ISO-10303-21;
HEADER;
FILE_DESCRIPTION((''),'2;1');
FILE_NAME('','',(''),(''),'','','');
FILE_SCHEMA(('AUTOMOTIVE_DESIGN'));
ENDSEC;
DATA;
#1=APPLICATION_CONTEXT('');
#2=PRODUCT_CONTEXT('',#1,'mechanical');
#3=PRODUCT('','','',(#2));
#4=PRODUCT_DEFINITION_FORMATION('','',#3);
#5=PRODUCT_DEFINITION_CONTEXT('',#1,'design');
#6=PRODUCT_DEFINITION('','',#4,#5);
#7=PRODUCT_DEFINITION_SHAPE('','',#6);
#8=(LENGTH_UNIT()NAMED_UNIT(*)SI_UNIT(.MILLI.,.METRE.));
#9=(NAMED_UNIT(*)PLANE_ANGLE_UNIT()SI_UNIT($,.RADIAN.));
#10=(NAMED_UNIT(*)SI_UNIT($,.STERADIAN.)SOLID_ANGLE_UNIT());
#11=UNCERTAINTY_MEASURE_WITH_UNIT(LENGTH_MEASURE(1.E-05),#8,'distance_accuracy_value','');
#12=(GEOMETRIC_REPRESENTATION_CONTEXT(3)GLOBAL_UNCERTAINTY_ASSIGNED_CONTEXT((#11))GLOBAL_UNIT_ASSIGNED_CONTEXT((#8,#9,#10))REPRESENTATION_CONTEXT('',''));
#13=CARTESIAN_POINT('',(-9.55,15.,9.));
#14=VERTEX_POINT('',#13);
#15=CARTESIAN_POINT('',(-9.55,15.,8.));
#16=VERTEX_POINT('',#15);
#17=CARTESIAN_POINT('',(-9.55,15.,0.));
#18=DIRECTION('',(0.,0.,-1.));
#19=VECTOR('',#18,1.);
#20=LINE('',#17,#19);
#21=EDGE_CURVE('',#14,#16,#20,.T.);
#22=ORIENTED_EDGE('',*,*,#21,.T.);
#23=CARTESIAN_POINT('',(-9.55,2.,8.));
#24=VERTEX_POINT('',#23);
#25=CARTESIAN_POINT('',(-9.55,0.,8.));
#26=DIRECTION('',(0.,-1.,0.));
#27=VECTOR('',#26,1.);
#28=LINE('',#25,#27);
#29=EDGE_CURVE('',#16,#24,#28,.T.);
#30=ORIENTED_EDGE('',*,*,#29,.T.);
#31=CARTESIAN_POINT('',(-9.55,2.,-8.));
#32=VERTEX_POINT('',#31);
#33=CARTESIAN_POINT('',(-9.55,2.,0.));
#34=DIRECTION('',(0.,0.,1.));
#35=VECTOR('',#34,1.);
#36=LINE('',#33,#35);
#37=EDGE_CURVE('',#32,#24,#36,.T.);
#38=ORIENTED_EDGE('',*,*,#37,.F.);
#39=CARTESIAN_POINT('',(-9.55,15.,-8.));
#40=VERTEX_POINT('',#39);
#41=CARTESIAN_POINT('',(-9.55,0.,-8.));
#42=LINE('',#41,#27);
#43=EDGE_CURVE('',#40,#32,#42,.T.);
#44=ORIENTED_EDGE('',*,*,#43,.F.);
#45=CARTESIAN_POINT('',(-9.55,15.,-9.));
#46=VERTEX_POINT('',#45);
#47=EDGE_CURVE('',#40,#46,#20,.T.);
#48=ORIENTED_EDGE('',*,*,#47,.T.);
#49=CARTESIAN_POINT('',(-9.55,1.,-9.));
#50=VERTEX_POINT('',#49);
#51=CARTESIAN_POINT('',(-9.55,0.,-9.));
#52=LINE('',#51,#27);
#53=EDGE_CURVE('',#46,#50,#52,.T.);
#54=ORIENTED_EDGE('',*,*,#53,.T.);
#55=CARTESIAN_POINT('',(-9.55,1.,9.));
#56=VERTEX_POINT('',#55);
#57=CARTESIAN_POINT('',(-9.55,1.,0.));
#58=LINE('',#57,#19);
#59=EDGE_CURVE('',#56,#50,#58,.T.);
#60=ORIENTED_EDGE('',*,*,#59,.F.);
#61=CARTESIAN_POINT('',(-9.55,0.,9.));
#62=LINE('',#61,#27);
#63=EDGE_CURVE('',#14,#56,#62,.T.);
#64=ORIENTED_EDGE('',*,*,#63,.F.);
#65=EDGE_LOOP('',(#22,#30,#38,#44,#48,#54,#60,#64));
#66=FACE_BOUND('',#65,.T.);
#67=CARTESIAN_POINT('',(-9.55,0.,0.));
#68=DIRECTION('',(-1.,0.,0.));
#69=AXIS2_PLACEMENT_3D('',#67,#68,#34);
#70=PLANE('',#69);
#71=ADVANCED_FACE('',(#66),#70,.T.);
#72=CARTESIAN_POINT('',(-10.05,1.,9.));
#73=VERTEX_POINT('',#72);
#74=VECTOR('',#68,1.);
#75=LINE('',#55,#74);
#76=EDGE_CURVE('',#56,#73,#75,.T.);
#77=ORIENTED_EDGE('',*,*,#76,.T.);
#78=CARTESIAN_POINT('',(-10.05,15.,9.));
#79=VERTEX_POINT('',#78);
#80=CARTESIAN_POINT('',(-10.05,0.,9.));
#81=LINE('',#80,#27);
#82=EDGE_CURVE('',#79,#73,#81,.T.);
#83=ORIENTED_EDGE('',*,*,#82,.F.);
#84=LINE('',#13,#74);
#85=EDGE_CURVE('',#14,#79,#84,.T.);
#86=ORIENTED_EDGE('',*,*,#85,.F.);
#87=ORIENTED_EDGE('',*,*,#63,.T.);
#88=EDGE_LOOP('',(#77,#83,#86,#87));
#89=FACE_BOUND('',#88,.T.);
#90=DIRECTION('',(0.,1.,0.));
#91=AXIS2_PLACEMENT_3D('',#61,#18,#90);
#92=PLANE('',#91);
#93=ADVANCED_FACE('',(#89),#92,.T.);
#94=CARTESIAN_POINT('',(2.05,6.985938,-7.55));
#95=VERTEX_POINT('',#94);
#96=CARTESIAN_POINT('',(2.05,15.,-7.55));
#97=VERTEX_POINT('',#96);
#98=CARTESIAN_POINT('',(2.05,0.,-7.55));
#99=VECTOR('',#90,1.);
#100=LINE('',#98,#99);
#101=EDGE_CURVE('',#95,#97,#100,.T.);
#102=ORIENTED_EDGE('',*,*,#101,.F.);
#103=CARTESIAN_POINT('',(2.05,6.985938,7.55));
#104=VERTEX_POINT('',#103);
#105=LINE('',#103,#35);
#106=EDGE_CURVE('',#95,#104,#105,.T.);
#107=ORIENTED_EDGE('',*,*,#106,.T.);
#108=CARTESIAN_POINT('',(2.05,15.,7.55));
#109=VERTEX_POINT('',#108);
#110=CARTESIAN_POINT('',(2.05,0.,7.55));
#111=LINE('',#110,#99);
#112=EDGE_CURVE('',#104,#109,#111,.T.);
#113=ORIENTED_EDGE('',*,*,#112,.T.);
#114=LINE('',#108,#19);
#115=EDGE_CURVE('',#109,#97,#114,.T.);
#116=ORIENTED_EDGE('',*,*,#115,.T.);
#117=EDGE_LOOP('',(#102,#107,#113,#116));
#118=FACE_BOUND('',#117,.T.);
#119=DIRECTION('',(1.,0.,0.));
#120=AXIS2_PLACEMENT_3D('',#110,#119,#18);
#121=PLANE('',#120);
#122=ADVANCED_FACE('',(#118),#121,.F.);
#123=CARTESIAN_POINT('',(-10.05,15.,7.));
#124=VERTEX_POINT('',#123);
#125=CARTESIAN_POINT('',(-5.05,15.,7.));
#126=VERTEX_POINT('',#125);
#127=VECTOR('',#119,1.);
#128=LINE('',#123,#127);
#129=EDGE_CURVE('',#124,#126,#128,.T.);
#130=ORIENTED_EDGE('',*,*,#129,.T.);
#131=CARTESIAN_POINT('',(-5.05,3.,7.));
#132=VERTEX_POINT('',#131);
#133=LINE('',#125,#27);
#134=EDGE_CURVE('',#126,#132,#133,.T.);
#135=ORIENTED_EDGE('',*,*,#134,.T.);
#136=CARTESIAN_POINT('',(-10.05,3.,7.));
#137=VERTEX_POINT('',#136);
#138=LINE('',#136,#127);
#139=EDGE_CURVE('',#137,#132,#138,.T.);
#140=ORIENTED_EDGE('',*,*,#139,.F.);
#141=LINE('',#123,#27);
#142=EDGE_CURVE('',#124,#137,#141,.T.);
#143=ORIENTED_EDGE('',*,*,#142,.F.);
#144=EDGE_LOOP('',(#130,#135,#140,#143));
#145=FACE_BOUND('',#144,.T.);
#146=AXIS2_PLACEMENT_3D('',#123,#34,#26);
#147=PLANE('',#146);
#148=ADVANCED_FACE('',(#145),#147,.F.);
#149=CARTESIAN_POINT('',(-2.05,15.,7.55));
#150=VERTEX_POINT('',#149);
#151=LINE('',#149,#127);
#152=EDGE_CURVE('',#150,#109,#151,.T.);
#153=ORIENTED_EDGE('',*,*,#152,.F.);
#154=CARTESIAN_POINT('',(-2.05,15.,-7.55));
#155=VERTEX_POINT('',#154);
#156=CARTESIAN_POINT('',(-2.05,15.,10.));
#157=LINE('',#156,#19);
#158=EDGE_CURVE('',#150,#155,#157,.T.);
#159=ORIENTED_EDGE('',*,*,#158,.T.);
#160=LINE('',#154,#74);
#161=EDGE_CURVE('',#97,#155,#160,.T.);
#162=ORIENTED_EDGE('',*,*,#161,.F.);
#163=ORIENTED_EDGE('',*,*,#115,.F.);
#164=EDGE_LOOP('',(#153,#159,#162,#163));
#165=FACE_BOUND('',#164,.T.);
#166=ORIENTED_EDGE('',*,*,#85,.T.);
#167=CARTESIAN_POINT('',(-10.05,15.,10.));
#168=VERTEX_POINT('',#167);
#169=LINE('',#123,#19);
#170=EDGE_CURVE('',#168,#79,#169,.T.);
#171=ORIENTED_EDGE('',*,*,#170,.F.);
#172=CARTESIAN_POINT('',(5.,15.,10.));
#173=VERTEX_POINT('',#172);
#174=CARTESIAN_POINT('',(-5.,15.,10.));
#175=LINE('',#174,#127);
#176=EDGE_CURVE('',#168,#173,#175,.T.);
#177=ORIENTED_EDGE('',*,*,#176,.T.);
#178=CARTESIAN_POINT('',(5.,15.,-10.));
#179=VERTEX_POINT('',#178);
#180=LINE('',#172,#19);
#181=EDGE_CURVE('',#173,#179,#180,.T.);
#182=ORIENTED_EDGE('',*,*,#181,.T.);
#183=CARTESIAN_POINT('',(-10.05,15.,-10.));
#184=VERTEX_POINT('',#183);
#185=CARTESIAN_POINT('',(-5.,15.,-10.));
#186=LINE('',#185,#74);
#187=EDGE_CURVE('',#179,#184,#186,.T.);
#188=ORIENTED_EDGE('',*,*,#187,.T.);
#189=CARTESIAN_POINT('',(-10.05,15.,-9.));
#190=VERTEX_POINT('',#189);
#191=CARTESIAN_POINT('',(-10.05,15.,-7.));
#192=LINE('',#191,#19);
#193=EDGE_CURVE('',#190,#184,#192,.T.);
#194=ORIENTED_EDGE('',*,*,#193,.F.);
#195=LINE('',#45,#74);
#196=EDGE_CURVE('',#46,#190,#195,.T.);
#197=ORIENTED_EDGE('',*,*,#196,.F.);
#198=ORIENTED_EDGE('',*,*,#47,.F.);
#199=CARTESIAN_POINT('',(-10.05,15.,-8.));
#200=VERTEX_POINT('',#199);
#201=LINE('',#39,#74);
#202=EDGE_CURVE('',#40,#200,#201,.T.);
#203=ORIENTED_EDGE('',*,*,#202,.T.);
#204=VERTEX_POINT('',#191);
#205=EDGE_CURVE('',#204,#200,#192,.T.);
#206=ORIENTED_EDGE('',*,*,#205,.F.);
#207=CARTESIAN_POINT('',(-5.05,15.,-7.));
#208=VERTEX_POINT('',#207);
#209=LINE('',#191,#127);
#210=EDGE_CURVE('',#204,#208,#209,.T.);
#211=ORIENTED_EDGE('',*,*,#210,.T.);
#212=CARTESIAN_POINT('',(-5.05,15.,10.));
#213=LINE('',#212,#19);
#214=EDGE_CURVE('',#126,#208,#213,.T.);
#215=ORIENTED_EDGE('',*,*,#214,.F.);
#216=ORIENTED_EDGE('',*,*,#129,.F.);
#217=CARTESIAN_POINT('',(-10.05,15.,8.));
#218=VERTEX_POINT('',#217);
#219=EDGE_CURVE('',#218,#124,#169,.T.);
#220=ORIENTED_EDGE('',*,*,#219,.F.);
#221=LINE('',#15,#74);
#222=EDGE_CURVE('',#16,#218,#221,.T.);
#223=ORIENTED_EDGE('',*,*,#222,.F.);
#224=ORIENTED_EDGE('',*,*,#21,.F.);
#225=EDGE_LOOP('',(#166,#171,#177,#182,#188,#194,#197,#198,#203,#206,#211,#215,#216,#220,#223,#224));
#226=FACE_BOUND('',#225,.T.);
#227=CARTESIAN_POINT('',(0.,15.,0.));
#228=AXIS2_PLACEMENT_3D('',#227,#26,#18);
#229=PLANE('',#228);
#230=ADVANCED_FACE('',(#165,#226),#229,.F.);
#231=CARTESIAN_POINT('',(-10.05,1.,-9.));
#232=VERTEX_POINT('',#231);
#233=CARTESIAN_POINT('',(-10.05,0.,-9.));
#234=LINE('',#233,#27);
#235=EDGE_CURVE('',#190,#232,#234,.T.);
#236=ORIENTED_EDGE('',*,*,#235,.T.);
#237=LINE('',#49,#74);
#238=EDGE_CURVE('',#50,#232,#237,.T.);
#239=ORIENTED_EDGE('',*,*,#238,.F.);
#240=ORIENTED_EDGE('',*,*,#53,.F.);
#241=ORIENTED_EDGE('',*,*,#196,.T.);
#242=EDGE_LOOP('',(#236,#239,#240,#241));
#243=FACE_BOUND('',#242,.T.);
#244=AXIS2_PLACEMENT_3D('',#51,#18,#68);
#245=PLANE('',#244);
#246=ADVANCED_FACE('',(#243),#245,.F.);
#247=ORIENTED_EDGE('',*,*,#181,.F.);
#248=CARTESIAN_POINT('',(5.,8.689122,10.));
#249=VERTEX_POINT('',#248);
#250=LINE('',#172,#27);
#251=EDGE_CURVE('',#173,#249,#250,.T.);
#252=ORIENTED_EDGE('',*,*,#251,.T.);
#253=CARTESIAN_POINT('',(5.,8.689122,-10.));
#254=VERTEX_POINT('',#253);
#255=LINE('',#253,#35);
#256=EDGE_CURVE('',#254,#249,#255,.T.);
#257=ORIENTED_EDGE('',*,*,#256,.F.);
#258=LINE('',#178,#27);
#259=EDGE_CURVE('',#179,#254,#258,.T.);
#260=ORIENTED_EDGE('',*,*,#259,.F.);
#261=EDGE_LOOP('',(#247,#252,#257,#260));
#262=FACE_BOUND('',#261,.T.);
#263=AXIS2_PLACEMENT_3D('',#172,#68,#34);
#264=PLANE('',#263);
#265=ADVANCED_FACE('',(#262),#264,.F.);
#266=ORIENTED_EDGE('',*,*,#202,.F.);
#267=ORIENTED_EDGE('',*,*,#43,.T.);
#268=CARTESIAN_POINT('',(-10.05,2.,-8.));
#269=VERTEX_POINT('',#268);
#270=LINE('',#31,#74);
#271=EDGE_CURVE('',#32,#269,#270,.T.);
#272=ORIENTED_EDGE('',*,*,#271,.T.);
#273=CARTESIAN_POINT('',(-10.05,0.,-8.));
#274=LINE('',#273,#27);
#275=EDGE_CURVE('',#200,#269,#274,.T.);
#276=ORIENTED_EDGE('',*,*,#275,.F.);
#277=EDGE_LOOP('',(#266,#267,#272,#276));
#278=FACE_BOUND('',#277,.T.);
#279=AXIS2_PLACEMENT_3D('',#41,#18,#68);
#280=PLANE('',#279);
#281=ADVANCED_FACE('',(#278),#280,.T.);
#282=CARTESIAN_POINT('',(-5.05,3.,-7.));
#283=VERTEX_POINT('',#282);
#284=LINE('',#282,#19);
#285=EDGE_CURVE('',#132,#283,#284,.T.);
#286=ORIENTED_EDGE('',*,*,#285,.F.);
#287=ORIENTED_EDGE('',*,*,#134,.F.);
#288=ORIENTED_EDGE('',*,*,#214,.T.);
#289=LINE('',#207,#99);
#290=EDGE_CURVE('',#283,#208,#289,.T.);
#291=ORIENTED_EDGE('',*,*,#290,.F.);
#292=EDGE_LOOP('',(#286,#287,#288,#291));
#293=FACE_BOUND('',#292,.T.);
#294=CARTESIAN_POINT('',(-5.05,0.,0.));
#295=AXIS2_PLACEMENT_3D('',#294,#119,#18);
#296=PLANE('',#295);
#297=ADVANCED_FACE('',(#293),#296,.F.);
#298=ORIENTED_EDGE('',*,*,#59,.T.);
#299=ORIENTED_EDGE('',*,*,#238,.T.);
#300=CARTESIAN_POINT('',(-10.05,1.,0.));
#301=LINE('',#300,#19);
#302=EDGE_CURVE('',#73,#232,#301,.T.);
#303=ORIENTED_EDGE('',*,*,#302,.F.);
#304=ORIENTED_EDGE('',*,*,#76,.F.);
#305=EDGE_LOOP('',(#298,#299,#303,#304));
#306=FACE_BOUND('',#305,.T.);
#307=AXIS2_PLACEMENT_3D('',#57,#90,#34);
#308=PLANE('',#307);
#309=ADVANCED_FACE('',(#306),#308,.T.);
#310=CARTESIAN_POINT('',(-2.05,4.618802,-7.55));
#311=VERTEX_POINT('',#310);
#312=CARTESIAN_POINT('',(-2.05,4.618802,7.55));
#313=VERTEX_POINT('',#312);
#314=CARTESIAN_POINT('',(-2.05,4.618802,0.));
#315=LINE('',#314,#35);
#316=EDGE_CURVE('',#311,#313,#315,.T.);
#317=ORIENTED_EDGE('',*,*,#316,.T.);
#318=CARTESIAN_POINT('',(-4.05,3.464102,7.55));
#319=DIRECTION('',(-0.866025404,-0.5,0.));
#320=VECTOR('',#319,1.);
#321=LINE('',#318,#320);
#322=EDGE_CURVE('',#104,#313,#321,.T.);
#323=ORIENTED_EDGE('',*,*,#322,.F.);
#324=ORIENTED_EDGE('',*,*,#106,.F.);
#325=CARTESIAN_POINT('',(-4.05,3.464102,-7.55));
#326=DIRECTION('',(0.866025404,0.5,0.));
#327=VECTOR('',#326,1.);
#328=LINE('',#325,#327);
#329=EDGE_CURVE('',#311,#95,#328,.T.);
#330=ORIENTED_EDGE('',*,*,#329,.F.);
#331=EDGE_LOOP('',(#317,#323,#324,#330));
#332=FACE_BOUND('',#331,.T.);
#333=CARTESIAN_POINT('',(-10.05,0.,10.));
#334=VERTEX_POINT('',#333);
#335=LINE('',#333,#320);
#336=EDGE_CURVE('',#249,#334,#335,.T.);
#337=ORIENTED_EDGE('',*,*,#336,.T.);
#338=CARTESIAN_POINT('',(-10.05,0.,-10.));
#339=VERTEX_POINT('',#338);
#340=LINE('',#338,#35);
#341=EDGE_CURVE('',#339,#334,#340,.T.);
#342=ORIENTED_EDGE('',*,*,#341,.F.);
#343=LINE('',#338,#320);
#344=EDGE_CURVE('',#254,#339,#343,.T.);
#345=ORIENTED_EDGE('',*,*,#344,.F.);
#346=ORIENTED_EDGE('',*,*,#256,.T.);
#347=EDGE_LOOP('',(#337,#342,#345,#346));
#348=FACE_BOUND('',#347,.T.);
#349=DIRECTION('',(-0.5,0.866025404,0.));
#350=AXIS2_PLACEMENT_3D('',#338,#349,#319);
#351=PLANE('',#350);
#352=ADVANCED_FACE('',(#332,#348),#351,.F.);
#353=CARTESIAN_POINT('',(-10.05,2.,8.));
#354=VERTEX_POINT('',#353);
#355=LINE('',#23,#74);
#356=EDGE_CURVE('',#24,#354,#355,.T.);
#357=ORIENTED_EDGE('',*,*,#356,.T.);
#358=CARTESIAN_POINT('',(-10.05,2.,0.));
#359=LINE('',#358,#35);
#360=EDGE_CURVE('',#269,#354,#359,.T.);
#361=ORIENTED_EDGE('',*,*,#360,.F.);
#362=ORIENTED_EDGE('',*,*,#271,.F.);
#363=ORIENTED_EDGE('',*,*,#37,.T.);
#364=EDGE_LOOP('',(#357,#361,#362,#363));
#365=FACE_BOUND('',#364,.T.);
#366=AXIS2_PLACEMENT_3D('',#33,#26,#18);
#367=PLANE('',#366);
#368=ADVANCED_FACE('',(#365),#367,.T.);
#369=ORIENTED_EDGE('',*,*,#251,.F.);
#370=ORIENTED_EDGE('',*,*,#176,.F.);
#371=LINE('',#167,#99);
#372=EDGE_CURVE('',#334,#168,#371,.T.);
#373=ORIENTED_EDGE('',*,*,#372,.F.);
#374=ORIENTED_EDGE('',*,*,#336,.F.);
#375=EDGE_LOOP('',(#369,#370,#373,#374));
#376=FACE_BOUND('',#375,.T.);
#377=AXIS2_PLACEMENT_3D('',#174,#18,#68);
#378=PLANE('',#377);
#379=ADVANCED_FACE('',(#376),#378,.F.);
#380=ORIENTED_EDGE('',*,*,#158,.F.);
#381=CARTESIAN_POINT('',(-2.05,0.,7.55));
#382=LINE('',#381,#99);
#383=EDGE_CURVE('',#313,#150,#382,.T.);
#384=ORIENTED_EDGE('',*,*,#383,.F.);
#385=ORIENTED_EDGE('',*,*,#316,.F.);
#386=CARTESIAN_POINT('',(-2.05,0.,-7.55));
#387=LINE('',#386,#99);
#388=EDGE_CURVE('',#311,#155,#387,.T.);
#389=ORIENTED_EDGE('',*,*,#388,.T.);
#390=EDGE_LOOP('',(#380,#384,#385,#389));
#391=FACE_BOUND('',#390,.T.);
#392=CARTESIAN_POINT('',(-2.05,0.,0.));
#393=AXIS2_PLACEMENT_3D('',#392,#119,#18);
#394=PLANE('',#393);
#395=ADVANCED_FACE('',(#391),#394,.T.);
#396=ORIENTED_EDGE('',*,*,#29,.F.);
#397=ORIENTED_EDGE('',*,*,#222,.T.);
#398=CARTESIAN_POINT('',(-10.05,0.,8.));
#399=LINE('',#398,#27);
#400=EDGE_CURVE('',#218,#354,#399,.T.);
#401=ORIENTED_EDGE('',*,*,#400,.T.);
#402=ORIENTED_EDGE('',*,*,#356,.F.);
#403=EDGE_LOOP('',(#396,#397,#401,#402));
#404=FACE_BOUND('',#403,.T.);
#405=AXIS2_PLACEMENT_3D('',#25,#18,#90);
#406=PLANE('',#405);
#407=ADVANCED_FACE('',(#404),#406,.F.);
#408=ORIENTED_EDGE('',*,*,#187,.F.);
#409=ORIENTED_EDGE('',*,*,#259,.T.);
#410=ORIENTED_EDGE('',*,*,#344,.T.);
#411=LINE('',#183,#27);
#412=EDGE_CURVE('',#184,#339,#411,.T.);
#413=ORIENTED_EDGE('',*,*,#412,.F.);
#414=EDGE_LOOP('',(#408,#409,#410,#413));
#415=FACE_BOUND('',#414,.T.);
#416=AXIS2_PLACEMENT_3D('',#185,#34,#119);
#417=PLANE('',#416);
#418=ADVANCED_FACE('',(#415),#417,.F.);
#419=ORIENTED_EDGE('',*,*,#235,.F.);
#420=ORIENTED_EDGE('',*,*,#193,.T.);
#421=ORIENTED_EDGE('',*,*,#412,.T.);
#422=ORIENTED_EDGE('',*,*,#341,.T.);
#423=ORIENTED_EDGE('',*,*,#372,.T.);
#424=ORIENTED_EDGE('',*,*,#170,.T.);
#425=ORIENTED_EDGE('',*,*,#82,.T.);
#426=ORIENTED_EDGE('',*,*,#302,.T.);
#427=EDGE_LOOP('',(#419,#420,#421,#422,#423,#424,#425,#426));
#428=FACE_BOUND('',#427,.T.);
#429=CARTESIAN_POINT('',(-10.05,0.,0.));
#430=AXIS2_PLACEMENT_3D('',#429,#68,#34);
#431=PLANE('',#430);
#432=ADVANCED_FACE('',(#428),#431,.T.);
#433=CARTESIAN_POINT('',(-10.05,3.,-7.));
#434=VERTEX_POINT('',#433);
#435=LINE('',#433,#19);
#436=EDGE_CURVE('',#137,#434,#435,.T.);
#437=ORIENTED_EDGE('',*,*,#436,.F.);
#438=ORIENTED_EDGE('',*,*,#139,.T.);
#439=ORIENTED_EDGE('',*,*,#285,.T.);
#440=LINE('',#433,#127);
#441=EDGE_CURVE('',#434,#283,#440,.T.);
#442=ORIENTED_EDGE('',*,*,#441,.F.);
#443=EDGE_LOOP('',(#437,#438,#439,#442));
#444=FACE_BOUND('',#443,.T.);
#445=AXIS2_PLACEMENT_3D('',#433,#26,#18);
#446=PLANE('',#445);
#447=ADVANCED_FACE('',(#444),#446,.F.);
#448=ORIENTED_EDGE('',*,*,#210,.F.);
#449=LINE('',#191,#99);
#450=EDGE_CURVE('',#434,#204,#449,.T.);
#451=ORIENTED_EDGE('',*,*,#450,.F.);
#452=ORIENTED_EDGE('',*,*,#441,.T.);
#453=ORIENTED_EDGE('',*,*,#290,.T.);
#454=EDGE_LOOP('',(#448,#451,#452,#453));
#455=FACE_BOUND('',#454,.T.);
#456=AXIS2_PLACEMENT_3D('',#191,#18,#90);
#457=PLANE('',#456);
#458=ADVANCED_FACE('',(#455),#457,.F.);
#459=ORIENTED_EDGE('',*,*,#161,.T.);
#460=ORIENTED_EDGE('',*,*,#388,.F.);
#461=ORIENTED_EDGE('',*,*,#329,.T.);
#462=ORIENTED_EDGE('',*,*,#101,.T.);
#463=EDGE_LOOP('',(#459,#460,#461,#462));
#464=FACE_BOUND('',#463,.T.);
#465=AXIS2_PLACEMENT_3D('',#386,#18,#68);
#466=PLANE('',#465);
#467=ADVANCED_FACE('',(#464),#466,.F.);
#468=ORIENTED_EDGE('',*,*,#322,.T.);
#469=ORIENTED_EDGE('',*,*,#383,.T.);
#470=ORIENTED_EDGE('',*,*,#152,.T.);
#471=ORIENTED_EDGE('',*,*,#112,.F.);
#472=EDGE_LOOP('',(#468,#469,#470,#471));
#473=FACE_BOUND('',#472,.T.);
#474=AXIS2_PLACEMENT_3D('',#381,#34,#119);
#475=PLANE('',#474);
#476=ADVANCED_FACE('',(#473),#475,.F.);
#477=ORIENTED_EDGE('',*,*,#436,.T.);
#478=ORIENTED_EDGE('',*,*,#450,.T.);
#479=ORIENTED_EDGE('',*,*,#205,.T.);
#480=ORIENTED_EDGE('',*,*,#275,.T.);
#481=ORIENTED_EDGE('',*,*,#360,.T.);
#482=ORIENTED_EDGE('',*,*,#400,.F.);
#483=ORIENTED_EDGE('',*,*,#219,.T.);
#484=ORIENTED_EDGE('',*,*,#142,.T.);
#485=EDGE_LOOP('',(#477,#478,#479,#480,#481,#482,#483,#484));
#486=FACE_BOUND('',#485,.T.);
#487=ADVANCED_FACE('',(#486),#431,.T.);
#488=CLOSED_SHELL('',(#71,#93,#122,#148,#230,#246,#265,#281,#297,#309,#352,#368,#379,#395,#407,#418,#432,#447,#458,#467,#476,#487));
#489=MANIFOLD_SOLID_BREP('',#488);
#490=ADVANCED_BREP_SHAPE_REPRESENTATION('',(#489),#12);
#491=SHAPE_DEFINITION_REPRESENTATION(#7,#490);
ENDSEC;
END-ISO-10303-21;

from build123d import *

# Parameters (mm, degrees)
SKETCH2_W           = 10
SKETCH2_H           = 20
BOSS_EXTRUDE1_DEPTH = 15
SKETCH3_W           = 4.1
SKETCH3_H           = 15.1
CUT_EXTRUDE1_DEPTH  = 16
SKETCH4_W           = 2.95
SKETCH4_H           = 2.45
CUT_EXTRUDE2_DEPTH  = 15
SKETCH6_W           = 20
SKETCH6_H           = 15
BOSS_EXTRUDE2_DEPTH = 3
BOSS_EXTRUDE3_DEPTH = 5
CUT_EXTRUDE3_DEPTH  = 21
CUT_EXTRUDE4_DEPTH  = 0.5


with BuildPart() as part:
    # Sketch2 → Boss-Extrude1 (new body)
    with BuildSketch(Plane(origin=(0, 0, 0), x_dir=(1, 0, 0), z_dir=(0, 1, 0))):
        Rectangle(SKETCH2_W, SKETCH2_H)
    extrude(amount=BOSS_EXTRUDE1_DEPTH)

    # Sketch3 → Cut-Extrude1 (cut, through all)
    with BuildSketch(Plane(origin=(0, 15, 0), x_dir=(1, 0, 0), z_dir=(0, 1, 0))):
        Rectangle(SKETCH3_W, SKETCH3_H)
    extrude(amount=-CUT_EXTRUDE1_DEPTH, mode=Mode.SUBTRACT)

    # Sketch4 → Cut-Extrude2 (cut)
    with BuildSketch(Plane(origin=(0, 15, 0), x_dir=(1, 0, 0), z_dir=(0, 1, 0))):
        Polygon((-2.05, 10), (-5, 10), (-5, -7.55), (-2.05, -7.55), (-2.05, 7.55), align=None)
        with Locations((-3.525, -8.775)):
            Rectangle(SKETCH4_W, SKETCH4_H)
    extrude(amount=-CUT_EXTRUDE2_DEPTH, mode=Mode.SUBTRACT)

    # Sketch6 → Boss-Extrude2 (add)
    with BuildSketch(Plane.ZY.offset(2.05)):
        with Locations((0, 7.5)):
            Rectangle(SKETCH6_W, SKETCH6_H)
    extrude(amount=BOSS_EXTRUDE2_DEPTH)

    # Sketch8 → Boss-Extrude3 (add)
    with BuildSketch(Plane.ZY.offset(5.05)):
        Polygon((-7, 15), (-10, 15), (-10, 0), (10, 0), (10, 15), (7, 15), (7, 3), (-7, 3), align=None)
    extrude(amount=BOSS_EXTRUDE3_DEPTH)

    # Sketch10 → Cut-Extrude3 (cut, through all)
    with BuildSketch(Plane.XY.offset(10)):
        Polygon((-10.05, 0), (5, 8.689121551), (5, 0), align=None)
    extrude(amount=-CUT_EXTRUDE3_DEPTH, mode=Mode.SUBTRACT)

    # Sketch11 → Cut-Extrude4 (cut)
    with BuildSketch(Plane.ZY.offset(10.05)):
        Polygon((-8, 2), (-8, 15), (-9, 15), (-9, 1), (0, 1), (9, 1), (9, 15), (8, 15), (8, 2), (0, 2), align=None)
    extrude(amount=-CUT_EXTRUDE4_DEPTH, mode=Mode.SUBTRACT)


solid = part.part
